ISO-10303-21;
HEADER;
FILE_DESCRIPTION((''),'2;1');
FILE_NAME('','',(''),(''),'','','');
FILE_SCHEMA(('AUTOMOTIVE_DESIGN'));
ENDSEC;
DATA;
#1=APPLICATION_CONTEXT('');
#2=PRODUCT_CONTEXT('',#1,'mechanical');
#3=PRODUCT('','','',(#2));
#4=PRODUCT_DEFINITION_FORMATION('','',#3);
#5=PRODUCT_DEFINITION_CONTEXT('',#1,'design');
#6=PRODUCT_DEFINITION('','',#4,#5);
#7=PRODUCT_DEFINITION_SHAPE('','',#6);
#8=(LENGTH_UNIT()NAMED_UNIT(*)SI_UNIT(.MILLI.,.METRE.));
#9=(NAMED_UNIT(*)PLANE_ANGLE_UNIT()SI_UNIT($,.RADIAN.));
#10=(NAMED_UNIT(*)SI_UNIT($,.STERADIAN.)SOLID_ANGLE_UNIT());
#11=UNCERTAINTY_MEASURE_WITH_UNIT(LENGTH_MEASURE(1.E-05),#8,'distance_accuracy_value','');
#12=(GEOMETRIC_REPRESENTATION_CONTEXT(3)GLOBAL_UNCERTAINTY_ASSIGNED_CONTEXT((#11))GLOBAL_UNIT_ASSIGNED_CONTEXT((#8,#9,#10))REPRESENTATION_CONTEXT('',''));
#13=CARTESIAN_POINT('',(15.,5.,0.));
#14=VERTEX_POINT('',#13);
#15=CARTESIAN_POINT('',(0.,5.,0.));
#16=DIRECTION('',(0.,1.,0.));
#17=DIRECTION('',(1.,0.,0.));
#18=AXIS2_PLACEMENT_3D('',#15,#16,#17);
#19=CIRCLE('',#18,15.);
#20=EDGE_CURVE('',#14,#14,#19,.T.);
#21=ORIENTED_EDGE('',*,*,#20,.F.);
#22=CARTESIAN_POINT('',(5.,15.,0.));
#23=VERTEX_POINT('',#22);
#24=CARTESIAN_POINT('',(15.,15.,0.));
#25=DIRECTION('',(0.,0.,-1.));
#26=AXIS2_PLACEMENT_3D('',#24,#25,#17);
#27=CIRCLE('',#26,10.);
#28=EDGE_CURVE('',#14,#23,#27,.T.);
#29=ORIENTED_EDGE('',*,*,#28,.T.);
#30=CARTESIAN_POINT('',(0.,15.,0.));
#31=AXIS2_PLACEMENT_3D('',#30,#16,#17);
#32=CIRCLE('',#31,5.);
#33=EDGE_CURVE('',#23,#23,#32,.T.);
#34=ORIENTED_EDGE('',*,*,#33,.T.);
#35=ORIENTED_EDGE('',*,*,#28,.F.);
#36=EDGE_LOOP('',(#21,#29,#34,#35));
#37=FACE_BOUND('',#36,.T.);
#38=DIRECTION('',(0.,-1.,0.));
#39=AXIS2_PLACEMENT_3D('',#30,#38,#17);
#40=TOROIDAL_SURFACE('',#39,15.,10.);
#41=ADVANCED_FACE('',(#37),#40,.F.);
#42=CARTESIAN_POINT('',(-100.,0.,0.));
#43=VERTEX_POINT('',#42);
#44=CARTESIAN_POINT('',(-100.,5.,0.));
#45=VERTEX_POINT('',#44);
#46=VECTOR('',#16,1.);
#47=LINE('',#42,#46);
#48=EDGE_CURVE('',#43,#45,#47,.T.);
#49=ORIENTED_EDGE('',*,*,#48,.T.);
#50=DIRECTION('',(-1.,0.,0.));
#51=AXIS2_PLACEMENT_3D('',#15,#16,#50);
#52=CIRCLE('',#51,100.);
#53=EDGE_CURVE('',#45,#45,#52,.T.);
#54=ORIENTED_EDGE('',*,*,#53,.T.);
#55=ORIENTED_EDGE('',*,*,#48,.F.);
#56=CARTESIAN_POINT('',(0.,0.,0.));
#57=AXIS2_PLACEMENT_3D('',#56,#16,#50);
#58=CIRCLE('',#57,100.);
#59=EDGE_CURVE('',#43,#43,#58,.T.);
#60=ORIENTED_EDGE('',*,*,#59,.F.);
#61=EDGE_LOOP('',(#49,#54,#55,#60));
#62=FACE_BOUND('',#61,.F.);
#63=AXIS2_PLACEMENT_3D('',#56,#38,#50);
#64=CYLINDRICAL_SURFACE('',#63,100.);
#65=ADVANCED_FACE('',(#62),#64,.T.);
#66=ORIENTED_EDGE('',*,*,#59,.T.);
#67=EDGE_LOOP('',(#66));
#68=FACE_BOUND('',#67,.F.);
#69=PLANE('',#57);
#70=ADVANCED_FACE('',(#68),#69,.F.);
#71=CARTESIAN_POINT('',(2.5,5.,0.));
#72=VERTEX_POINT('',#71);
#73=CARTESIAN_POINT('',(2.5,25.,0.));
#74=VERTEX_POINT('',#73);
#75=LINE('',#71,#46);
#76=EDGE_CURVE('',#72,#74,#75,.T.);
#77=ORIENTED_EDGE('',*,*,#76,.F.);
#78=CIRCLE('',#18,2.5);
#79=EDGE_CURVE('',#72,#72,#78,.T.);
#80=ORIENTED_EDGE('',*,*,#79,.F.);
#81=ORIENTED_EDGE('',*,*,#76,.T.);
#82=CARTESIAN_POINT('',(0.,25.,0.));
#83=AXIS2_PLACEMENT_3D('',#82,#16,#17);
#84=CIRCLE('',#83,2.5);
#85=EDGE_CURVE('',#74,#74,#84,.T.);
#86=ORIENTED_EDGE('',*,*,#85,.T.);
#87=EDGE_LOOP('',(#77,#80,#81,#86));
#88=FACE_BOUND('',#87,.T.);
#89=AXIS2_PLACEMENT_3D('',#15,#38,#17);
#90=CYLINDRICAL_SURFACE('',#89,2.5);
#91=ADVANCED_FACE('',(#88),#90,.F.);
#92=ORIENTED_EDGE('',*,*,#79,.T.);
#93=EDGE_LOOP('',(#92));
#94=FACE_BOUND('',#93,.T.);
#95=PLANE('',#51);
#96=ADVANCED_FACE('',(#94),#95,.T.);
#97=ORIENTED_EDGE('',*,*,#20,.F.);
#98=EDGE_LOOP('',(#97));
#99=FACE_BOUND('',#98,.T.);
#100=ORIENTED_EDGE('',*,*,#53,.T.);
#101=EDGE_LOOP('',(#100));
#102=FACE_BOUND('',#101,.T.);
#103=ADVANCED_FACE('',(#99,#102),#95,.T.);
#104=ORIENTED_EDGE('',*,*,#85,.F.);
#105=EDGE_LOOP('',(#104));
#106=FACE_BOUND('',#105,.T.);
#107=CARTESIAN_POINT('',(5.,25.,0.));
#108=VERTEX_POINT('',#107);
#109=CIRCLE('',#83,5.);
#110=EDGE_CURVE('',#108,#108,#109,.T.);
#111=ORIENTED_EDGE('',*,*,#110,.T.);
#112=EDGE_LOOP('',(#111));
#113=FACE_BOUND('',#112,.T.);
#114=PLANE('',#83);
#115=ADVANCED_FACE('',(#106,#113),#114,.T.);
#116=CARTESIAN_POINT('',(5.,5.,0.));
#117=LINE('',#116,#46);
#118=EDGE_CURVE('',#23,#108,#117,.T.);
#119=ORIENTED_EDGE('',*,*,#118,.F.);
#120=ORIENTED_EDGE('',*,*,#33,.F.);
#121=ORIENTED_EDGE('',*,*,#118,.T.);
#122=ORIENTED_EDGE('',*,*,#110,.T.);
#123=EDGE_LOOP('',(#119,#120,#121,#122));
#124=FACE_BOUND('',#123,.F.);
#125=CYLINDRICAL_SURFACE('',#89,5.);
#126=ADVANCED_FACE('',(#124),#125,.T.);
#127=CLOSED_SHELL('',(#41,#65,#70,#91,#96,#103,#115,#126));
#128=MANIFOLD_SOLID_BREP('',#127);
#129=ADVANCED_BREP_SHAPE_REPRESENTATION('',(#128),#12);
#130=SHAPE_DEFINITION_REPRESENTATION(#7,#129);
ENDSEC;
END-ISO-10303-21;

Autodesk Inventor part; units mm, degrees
ref_plane "YZ Plane" through (0, 0, 0) normal (1, 0, 0) x (0, 1, 0)
ref_plane "XZ Plane" through (0, 0, 0) normal (0, 1, 0) x (-1, 0, 0)
ref_plane "XY Plane" through (0, 0, 0) normal (0, 0, 1) x (1, 0, 0)
sketch "Sketch1" plane through (0, 0, 0) normal (0, 1, 0) x (-1, 0, 0)
  circle A0 centre (0, 0) radius 100
  dimension "d0" = 200
extrude "Extrusion1" add sketch "Sketch1" along normal blind 5
sketch "Sketch2" plane through (0, 5, 0) normal (0, 1, 0) x (1, 0, 0)
  circle A0 centre (0, 0) radius 2.5
  circle A1 centre (0, 0) radius 5
  dimension "d3" = 5
  dimension "d4" = 10
extrude "Extrusion2" add sketch "Sketch2" along normal blind 20
fillet "Fillet1" radius 10 1 edges at (-5, 5, 0)
properties part number "podlaga_za_vrtrenje"
